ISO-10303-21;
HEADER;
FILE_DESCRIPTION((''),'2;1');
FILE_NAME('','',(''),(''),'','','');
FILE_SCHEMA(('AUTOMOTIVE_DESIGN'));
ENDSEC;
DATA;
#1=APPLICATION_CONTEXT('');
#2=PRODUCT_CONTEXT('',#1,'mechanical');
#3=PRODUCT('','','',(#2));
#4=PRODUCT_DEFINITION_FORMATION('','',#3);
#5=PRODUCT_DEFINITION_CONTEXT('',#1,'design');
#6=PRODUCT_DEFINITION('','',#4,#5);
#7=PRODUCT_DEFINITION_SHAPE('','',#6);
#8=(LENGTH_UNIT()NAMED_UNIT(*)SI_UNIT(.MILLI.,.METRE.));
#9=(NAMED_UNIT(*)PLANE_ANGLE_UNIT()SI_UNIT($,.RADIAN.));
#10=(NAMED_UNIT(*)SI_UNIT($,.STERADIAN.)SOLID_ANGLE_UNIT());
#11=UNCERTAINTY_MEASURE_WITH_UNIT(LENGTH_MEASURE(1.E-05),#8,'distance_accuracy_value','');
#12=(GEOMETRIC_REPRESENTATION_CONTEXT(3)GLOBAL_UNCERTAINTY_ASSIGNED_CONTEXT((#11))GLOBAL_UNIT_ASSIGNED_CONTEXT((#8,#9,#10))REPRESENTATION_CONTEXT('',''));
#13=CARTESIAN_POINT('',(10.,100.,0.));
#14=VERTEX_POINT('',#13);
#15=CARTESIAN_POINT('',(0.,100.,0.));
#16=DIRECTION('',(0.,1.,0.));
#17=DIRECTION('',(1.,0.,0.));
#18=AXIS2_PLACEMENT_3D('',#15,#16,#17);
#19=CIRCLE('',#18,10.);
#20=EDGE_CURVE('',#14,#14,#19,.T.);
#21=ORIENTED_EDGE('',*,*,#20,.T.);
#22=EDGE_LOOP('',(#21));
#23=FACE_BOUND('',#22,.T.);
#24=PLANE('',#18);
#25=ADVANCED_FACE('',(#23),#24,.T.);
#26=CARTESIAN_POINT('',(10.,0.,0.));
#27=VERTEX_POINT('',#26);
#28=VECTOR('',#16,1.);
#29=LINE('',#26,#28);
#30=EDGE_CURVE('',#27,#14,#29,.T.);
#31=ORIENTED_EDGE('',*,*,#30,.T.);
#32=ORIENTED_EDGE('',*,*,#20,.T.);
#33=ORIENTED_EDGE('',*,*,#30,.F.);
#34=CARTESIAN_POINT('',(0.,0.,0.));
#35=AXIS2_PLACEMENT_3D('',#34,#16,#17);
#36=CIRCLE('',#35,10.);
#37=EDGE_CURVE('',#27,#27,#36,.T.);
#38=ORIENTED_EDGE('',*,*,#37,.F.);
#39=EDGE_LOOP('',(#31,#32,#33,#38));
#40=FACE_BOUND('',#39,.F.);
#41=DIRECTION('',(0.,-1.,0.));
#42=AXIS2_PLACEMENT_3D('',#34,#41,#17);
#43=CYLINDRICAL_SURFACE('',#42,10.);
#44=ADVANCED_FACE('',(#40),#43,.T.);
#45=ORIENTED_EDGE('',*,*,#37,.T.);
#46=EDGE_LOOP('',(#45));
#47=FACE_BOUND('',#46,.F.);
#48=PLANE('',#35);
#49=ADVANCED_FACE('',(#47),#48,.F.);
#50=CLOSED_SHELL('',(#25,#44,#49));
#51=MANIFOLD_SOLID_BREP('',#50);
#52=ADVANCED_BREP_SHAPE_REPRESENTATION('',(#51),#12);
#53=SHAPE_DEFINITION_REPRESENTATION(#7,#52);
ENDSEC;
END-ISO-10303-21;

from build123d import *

# Parameters (mm, degrees)
SKETCH1_R           = 10
BOSS_EXTRUDE1_DEPTH = 100


with BuildPart() as part:
    # Sketch1 → Boss-Extrude1 (new body)
    with BuildSketch(Plane(origin=(0, 0, 0), x_dir=(1, 0, 0), z_dir=(0, 1, 0))):
        Circle(SKETCH1_R)
    extrude(amount=BOSS_EXTRUDE1_DEPTH)


solid = part.part
